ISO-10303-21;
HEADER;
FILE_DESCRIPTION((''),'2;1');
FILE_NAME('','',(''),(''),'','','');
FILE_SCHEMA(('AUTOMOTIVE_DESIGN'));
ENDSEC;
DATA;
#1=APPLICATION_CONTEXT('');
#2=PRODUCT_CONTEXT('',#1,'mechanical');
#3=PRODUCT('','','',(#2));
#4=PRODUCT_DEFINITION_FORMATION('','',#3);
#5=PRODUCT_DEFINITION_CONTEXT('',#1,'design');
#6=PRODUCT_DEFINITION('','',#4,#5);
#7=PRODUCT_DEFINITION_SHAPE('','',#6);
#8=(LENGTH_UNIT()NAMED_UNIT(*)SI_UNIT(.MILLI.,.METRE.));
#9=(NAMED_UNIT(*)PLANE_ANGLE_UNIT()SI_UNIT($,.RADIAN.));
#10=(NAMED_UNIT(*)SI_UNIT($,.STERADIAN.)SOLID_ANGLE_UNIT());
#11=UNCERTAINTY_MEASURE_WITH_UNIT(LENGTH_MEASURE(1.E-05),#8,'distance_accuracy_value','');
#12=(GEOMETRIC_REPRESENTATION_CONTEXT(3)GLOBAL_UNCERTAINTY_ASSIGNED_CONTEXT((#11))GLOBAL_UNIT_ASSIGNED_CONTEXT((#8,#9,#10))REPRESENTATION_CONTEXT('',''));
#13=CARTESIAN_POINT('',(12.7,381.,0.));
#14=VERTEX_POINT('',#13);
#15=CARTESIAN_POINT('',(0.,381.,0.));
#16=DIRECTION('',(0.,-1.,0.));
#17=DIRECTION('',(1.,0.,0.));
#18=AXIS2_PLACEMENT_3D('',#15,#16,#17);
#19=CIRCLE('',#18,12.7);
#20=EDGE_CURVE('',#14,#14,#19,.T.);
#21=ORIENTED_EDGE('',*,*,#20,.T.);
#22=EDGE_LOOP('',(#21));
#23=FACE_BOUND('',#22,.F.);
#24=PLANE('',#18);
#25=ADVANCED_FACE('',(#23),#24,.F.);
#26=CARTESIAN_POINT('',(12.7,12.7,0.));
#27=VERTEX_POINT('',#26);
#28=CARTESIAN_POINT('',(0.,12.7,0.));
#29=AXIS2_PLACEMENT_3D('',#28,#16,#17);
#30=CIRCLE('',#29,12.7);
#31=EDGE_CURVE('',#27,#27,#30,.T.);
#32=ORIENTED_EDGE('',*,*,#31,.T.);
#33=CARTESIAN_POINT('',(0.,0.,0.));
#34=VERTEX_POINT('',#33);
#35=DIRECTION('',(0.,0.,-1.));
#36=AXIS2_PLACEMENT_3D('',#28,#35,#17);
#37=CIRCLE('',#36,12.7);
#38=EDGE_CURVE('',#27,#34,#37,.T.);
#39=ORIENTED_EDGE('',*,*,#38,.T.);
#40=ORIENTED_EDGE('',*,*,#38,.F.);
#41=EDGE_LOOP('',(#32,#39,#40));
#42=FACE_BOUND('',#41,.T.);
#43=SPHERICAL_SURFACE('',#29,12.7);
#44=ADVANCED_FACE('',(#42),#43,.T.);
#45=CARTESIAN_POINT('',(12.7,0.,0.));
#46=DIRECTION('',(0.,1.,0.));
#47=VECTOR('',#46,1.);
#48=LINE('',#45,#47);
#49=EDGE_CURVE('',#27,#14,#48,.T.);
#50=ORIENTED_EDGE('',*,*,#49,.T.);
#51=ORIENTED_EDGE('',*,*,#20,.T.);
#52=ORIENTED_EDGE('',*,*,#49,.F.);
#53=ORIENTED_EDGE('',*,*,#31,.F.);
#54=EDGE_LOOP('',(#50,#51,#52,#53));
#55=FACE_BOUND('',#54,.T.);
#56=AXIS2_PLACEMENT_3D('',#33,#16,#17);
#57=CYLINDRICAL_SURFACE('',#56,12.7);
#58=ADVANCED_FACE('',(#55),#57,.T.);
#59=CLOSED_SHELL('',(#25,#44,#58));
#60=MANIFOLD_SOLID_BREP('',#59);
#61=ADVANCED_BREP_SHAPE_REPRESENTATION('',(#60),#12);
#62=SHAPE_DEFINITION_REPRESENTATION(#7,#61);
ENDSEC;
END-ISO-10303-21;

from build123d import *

# Parameters (mm, degrees)
F0_R     = 12.7
F1_DEPTH = 381
F2_R     = 12.7


with BuildPart() as f1:
    # F0 (on Front) → F1 (new body)
    with BuildSketch(Plane.XZ):
        Circle(F0_R)
    extrude(amount=-F1_DEPTH)

    # F2
    f2_edges = [f1.edges().sort_by_distance(p)[0] for p in [
        (-12.7, 0, 0),
    ]]
    fillet(f2_edges, radius=F2_R)


solid = f1.part
